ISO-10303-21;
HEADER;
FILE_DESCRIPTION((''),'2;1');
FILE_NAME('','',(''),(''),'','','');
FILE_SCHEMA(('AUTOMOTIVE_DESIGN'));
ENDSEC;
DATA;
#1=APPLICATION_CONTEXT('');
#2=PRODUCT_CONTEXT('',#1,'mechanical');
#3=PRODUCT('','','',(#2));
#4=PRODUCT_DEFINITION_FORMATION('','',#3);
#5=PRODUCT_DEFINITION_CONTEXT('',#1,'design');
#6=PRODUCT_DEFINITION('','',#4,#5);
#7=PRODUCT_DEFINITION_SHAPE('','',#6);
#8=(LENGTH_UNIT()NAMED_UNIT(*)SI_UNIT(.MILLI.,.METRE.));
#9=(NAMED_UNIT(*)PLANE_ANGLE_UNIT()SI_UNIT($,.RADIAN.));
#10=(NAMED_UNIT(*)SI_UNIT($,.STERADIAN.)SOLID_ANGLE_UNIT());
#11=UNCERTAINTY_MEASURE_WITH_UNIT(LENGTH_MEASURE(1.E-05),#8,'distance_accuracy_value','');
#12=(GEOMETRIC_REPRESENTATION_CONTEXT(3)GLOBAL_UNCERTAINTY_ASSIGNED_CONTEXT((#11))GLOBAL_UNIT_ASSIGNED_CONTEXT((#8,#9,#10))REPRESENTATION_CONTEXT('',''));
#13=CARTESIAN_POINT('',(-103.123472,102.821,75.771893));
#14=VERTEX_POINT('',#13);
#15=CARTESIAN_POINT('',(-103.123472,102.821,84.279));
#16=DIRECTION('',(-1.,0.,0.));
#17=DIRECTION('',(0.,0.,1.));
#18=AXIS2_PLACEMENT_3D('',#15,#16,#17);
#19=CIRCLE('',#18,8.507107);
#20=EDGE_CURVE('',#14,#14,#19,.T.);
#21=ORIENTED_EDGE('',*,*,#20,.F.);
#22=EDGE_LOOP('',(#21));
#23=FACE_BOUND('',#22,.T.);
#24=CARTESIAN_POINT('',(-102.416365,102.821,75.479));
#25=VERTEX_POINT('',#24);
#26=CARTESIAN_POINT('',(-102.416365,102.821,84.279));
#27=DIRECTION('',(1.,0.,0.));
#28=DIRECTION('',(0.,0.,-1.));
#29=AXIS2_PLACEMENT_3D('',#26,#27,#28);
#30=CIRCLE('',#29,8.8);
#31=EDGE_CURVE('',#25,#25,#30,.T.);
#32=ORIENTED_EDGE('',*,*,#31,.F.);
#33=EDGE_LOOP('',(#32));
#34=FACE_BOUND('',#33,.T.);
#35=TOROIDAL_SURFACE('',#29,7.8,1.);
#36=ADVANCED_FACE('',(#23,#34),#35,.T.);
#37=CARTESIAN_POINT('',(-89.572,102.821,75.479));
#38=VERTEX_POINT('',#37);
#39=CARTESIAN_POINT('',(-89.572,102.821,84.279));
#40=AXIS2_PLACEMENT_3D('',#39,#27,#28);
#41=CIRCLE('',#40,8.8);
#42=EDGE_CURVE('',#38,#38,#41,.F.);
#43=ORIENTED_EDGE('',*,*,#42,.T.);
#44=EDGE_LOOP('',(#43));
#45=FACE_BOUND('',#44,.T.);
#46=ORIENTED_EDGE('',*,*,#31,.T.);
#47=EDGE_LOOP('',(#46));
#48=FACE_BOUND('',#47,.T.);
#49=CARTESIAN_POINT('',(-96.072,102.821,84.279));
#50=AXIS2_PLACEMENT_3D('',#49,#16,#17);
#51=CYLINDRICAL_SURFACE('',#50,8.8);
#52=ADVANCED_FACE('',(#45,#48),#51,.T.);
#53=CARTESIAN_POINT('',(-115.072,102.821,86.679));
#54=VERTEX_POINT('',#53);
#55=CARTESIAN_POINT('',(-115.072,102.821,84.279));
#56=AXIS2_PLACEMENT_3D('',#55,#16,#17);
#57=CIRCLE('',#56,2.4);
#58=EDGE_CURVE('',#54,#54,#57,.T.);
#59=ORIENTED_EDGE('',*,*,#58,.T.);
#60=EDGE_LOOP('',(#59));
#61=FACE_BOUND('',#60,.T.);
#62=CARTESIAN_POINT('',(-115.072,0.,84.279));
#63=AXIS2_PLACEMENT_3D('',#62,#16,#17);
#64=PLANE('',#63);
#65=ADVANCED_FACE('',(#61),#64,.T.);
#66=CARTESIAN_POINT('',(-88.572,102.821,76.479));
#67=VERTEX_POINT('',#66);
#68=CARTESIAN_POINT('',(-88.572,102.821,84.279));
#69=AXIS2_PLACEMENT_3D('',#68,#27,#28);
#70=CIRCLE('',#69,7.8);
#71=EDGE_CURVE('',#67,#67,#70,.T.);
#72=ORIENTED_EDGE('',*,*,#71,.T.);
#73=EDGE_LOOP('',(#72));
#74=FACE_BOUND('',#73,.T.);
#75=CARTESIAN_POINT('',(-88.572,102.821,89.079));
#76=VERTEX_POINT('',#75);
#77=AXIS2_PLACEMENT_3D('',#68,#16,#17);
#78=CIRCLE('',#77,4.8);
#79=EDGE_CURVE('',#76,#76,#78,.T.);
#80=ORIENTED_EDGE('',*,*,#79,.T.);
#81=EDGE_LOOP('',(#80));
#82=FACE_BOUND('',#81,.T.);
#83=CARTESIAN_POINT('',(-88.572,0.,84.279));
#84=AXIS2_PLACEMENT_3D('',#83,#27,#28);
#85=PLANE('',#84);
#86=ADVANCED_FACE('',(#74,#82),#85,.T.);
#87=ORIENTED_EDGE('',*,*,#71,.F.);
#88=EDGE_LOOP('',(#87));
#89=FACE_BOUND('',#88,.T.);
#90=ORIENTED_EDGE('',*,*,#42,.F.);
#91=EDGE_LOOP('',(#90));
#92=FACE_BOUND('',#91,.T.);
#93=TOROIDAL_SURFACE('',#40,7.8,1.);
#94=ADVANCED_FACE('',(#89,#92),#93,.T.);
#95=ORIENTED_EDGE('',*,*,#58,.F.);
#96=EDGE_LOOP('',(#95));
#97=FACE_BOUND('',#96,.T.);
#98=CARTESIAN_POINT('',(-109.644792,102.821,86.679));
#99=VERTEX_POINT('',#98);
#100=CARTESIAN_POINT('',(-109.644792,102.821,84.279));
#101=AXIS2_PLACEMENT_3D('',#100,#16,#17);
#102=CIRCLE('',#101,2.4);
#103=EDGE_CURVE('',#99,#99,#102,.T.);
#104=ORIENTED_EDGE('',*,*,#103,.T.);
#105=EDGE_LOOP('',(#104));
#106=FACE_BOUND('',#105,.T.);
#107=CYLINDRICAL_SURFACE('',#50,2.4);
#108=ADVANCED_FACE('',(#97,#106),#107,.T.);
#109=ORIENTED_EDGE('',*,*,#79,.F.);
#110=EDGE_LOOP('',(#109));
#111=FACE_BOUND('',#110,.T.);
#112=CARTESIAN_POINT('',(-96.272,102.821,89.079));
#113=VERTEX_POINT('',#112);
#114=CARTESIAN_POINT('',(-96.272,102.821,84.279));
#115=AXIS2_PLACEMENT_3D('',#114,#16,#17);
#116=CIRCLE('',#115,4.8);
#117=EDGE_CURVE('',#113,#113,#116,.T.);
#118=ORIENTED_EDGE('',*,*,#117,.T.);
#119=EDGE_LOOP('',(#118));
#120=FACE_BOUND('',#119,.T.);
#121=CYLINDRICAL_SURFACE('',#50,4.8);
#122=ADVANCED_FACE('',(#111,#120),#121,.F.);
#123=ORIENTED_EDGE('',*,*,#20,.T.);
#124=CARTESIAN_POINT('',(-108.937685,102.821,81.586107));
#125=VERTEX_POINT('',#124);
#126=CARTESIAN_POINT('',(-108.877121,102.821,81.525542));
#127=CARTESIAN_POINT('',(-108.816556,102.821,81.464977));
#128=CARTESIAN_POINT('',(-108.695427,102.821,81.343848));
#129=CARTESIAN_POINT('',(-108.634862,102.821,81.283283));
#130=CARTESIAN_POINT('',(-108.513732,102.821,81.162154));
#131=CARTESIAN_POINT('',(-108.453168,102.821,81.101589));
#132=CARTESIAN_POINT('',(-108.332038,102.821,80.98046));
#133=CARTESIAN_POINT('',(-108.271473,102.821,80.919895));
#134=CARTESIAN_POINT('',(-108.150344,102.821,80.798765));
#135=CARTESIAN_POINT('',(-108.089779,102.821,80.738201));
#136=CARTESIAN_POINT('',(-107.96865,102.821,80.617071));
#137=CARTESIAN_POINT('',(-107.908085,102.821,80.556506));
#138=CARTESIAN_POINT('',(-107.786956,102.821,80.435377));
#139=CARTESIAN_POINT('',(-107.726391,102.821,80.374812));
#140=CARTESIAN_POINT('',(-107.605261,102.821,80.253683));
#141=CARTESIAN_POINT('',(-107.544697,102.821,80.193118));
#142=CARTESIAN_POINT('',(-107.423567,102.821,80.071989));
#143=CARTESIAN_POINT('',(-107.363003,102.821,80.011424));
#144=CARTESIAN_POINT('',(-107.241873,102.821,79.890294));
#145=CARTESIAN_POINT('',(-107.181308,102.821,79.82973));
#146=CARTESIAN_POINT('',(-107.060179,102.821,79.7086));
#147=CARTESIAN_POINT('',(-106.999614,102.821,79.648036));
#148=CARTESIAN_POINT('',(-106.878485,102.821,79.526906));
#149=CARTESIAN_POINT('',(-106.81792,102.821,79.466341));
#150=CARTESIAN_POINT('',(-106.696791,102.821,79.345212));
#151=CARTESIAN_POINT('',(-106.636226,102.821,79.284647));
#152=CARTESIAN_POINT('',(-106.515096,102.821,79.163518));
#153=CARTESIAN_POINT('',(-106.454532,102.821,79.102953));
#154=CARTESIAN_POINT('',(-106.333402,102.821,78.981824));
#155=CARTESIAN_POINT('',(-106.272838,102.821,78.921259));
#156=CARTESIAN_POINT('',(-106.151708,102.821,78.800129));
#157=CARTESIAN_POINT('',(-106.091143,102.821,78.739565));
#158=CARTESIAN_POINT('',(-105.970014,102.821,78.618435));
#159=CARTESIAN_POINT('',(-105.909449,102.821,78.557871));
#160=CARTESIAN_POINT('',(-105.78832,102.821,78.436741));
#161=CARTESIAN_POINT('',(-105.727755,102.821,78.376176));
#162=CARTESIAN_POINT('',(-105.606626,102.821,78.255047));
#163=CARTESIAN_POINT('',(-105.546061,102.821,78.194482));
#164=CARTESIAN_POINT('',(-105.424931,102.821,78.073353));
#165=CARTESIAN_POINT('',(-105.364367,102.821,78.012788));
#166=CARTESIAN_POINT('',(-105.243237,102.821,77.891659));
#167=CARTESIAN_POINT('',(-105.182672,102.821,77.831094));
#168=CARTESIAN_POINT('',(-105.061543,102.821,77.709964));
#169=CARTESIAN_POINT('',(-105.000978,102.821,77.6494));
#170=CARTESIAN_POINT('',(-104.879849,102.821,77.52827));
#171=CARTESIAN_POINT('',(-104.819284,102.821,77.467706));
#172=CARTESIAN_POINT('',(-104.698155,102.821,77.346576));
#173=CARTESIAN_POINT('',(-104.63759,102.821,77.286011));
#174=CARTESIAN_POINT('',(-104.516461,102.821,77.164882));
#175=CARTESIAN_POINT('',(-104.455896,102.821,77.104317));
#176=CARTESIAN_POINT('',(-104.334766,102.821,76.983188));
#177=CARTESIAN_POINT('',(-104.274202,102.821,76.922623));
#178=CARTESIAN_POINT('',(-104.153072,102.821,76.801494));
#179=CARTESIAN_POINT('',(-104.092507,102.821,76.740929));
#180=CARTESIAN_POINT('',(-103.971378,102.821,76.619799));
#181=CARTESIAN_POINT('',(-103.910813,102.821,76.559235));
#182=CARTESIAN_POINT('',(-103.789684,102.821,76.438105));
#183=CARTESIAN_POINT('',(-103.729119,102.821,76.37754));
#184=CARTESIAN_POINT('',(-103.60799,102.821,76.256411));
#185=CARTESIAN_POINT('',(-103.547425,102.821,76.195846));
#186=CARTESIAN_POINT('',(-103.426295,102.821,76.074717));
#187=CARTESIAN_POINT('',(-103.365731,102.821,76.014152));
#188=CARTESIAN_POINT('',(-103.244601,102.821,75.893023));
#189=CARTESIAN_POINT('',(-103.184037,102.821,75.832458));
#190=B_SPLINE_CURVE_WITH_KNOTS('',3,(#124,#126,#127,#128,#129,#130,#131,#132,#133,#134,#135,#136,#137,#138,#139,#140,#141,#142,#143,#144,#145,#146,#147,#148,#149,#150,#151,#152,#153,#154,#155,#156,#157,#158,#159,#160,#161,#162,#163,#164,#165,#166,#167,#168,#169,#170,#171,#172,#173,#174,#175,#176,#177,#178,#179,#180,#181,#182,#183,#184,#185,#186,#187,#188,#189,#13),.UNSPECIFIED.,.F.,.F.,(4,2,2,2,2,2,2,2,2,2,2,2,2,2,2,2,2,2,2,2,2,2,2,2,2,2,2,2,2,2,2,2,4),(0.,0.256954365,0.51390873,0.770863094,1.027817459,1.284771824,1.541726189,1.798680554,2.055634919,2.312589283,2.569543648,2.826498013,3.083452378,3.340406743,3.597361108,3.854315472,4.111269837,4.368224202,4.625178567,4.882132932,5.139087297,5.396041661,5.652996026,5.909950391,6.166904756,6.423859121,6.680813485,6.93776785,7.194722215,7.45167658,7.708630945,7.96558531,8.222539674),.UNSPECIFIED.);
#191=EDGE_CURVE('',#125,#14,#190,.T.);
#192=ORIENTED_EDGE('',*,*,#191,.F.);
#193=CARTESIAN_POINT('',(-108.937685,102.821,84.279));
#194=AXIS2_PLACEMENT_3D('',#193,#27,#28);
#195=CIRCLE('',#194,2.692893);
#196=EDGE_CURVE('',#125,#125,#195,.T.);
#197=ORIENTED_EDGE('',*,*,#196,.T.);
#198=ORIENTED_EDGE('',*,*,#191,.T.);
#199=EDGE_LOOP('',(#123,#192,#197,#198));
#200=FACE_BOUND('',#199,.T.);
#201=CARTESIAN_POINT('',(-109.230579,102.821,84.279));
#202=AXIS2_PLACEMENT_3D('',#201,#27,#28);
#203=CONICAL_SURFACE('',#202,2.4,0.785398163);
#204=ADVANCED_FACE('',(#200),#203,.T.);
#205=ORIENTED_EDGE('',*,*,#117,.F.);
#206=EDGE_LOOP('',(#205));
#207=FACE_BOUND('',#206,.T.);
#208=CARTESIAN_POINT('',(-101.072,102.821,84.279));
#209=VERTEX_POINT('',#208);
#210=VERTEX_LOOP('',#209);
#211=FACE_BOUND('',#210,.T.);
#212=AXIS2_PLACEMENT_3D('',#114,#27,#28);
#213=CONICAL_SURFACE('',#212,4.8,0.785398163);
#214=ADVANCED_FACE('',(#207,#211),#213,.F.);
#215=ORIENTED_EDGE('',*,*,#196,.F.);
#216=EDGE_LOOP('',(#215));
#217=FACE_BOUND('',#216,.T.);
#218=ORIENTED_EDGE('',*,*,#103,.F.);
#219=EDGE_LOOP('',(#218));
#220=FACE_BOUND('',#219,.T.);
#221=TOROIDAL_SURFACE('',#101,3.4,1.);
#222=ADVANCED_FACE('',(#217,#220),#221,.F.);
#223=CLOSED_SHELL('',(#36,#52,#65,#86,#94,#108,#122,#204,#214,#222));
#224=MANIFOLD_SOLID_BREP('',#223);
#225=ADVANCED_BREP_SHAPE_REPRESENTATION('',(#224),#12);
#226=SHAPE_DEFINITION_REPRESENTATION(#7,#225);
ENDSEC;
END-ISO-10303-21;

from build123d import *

# Parameters (mm, degrees)
FILLET1_R = 1


with BuildPart() as part:
    # Sketch1 → Revolve3 (revolve)
    with BuildSketch(Plane.XY.offset(84.279), mode=Mode.PRIVATE) as revolve3_sk:
        Polygon((-115.072, 105.221), (-109.230578644, 105.221), (-102.830578644, 111.621), (-88.572, 111.621), (-88.572, 107.621), (-96.272, 107.621), (-101.072, 102.821), (-115.072, 102.821), align=None)
    revolve(revolve3_sk.sketch.rotate(Axis((-96.072, 102.821, 84.279), (1, 0, 0)), 90), axis=Axis((-96.072, 102.821, 84.279), (1, 0, 0)))

    # Fillet1
    fillet1_edges = [part.edges().sort_by_distance(p)[0] for p in [
        (-109.230578644, 102.821, 81.879),
        (-102.830578644, 102.821, 75.479),
        (-88.572, 102.821, 75.479),
    ]]
    fillet(fillet1_edges, radius=FILLET1_R)


solid = part.part
